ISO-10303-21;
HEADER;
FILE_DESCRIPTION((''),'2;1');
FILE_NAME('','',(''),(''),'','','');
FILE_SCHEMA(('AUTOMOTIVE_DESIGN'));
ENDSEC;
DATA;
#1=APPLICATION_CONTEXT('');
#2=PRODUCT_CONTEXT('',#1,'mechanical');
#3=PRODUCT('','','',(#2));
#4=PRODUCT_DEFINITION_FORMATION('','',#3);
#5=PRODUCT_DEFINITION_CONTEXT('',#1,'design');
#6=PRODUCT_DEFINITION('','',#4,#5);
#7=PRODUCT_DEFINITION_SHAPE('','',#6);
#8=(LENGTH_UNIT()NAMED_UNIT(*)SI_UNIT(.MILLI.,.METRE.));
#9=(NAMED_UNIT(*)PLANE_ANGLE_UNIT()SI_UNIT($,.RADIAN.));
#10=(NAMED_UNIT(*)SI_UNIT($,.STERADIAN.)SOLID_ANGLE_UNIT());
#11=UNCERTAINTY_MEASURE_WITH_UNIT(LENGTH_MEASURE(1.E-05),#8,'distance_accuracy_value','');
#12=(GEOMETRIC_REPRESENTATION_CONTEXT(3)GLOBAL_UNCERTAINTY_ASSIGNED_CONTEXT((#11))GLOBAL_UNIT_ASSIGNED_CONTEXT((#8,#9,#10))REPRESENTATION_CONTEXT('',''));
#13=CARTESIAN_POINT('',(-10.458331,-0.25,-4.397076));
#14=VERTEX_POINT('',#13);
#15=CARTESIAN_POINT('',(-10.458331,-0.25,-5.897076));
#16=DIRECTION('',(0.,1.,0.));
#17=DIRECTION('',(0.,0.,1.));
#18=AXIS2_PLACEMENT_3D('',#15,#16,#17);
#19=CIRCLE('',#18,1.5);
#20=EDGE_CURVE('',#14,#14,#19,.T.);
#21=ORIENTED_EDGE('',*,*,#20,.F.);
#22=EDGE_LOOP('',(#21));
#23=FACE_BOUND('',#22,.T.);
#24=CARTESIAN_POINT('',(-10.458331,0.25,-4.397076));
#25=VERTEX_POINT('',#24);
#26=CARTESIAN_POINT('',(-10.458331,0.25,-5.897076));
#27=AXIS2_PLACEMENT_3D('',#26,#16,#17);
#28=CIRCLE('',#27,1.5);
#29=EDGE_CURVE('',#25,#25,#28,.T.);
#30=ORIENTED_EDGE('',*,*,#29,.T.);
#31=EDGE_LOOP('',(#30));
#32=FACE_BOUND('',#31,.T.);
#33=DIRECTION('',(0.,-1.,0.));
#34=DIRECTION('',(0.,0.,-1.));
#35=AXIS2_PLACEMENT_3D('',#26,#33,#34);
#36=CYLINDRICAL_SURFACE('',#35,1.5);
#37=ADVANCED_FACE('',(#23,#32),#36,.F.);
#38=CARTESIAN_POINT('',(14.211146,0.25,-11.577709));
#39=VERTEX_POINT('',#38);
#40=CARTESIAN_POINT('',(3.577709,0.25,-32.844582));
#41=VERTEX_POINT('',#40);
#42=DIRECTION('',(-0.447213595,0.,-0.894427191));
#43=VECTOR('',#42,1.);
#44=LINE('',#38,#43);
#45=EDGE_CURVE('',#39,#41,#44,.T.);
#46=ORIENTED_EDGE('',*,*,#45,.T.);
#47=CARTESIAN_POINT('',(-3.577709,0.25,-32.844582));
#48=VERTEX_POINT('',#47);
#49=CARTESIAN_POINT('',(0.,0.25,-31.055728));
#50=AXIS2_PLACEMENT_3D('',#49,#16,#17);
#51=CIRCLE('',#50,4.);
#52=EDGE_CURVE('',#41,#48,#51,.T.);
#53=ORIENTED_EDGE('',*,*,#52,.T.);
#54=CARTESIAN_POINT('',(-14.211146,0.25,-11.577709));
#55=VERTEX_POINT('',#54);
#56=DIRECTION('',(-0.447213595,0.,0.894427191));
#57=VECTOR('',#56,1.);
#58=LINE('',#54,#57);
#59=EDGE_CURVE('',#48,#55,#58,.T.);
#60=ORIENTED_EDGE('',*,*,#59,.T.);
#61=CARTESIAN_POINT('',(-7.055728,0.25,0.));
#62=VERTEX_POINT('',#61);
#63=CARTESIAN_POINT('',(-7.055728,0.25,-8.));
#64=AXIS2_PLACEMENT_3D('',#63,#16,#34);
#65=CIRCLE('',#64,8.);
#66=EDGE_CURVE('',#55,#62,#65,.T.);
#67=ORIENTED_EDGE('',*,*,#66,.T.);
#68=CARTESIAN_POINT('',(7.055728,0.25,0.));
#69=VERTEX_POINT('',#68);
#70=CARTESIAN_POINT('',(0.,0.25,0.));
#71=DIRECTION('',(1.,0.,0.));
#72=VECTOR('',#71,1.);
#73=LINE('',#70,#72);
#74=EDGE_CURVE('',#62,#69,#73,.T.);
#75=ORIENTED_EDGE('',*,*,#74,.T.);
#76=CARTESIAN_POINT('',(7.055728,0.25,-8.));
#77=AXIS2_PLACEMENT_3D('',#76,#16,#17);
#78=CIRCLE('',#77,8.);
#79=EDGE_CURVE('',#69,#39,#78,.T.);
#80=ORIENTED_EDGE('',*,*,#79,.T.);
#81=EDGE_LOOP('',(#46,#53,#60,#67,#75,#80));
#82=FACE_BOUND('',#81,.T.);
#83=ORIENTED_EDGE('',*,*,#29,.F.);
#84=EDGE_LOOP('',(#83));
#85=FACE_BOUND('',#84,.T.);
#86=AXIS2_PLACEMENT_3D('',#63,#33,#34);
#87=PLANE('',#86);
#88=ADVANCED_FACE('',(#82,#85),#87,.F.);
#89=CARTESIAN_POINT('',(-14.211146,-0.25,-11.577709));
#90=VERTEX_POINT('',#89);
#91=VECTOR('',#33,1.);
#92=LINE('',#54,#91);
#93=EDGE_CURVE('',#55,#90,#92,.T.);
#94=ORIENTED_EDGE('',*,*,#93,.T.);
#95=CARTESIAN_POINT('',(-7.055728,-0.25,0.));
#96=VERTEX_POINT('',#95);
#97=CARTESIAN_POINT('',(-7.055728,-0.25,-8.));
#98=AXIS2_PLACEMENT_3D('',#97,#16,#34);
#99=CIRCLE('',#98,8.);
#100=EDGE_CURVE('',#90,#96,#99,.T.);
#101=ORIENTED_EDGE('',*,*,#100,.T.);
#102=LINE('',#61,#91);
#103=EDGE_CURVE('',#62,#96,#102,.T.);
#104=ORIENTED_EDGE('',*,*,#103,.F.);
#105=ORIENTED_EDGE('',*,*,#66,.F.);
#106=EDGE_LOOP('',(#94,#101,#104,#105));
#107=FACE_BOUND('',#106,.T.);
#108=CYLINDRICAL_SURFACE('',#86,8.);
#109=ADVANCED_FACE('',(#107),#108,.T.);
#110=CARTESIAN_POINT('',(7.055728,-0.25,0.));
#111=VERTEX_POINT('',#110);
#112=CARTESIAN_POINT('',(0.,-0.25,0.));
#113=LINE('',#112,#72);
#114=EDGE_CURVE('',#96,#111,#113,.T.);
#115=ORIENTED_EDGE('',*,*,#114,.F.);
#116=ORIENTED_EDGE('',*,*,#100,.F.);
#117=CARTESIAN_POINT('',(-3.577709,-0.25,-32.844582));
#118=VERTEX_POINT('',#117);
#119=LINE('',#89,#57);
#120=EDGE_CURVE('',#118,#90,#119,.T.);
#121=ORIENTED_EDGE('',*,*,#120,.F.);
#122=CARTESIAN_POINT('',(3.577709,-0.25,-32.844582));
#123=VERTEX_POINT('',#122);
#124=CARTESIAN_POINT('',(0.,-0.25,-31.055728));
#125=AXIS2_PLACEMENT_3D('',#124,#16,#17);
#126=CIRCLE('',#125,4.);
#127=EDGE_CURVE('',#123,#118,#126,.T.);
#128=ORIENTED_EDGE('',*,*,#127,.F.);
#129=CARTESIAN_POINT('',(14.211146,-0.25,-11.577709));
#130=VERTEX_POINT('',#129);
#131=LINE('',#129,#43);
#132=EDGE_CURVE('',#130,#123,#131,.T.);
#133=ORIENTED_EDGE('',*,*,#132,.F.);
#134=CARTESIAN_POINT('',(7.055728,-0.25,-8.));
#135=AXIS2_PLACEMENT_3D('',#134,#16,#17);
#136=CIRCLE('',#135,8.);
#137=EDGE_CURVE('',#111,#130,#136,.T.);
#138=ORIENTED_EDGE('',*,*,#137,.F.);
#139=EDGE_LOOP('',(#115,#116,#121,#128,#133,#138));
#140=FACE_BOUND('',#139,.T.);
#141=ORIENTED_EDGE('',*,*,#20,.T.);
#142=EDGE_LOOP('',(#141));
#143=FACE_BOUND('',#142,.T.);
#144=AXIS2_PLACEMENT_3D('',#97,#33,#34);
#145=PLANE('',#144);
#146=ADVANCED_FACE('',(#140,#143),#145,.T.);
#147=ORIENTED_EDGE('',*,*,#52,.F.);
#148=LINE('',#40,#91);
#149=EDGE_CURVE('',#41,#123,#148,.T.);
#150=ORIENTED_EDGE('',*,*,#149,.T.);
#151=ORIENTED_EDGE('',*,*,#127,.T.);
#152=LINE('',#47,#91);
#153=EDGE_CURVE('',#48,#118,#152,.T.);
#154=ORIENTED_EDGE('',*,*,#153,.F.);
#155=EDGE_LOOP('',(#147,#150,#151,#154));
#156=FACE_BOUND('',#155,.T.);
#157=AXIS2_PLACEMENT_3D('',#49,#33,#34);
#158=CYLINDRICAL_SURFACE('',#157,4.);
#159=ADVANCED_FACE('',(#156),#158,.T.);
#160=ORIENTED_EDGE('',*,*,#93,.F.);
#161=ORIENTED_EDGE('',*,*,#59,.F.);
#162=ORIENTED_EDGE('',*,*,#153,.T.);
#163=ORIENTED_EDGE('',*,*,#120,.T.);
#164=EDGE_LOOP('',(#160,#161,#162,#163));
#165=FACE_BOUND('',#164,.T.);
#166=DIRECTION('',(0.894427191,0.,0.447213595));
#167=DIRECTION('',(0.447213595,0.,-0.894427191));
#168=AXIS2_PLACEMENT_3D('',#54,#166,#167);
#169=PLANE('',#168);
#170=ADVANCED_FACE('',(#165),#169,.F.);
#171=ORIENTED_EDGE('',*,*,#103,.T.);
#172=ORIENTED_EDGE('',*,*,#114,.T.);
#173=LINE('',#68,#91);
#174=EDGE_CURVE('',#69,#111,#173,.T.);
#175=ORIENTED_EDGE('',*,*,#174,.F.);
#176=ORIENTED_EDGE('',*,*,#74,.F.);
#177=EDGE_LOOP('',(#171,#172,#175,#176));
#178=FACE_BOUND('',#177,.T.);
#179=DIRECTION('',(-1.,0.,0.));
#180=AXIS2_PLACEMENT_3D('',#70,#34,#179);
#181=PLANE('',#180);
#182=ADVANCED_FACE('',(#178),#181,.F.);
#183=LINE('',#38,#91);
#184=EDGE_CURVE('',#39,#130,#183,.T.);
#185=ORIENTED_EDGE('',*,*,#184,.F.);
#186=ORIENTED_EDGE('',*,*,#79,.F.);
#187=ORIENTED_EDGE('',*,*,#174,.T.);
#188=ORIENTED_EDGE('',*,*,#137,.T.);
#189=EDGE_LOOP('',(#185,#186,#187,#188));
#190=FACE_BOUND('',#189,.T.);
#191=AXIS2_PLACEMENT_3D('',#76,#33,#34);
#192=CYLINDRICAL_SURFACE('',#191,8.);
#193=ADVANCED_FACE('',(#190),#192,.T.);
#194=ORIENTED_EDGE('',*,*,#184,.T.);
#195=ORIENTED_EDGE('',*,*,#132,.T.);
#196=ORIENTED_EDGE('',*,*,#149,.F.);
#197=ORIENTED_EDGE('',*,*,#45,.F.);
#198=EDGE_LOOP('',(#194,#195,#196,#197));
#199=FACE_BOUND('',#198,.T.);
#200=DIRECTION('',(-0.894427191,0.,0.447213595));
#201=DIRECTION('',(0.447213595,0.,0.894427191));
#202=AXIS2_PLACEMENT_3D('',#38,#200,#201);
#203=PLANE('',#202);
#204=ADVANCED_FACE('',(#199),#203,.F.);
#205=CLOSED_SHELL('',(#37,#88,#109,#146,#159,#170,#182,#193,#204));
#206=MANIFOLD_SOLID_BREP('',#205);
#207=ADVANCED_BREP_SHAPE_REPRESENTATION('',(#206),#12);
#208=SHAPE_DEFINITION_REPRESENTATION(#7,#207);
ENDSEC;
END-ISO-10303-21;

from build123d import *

# Parameters (mm, degrees)
SKETCH1_R           = 1.5
BOSS_EXTRUDE1_DEPTH = 0.25


with BuildPart() as part:
    # Sketch1 → Boss-Extrude1 (new, symmetric)
    with BuildSketch(Plane(origin=(0, 0, 0), x_dir=(1, 0, 0), z_dir=(0, 1, 0))):
        with BuildLine():
            Line((0, 0), (7.05572809, 0))
            ThreePointArc((7.05572809, 0), (13.860934557, 3.794151103), (14.211145618, 11.577708764))
            Line((14.211145618, 11.577708764), (3.577708764, 32.844582472))
            ThreePointArc((3.577708764, 32.844582472), (0, 35.05572809), (-3.577708764, 32.844582472))
            Line((-3.577708764, 32.844582472), (-14.211145618, 11.577708764))
            ThreePointArc((-14.211145618, 11.577708764), (-13.860934557, 3.794151103), (-7.05572809, 0))
            Line((-7.05572809, 0), (0, 0))
        make_face()
        with Locations(Location((-10.458331323, 5.897075552, 0), (0, 0, 270))):
            Circle(SKETCH1_R, mode=Mode.SUBTRACT)
    extrude(amount=BOSS_EXTRUDE1_DEPTH, both=True)


solid = part.part
